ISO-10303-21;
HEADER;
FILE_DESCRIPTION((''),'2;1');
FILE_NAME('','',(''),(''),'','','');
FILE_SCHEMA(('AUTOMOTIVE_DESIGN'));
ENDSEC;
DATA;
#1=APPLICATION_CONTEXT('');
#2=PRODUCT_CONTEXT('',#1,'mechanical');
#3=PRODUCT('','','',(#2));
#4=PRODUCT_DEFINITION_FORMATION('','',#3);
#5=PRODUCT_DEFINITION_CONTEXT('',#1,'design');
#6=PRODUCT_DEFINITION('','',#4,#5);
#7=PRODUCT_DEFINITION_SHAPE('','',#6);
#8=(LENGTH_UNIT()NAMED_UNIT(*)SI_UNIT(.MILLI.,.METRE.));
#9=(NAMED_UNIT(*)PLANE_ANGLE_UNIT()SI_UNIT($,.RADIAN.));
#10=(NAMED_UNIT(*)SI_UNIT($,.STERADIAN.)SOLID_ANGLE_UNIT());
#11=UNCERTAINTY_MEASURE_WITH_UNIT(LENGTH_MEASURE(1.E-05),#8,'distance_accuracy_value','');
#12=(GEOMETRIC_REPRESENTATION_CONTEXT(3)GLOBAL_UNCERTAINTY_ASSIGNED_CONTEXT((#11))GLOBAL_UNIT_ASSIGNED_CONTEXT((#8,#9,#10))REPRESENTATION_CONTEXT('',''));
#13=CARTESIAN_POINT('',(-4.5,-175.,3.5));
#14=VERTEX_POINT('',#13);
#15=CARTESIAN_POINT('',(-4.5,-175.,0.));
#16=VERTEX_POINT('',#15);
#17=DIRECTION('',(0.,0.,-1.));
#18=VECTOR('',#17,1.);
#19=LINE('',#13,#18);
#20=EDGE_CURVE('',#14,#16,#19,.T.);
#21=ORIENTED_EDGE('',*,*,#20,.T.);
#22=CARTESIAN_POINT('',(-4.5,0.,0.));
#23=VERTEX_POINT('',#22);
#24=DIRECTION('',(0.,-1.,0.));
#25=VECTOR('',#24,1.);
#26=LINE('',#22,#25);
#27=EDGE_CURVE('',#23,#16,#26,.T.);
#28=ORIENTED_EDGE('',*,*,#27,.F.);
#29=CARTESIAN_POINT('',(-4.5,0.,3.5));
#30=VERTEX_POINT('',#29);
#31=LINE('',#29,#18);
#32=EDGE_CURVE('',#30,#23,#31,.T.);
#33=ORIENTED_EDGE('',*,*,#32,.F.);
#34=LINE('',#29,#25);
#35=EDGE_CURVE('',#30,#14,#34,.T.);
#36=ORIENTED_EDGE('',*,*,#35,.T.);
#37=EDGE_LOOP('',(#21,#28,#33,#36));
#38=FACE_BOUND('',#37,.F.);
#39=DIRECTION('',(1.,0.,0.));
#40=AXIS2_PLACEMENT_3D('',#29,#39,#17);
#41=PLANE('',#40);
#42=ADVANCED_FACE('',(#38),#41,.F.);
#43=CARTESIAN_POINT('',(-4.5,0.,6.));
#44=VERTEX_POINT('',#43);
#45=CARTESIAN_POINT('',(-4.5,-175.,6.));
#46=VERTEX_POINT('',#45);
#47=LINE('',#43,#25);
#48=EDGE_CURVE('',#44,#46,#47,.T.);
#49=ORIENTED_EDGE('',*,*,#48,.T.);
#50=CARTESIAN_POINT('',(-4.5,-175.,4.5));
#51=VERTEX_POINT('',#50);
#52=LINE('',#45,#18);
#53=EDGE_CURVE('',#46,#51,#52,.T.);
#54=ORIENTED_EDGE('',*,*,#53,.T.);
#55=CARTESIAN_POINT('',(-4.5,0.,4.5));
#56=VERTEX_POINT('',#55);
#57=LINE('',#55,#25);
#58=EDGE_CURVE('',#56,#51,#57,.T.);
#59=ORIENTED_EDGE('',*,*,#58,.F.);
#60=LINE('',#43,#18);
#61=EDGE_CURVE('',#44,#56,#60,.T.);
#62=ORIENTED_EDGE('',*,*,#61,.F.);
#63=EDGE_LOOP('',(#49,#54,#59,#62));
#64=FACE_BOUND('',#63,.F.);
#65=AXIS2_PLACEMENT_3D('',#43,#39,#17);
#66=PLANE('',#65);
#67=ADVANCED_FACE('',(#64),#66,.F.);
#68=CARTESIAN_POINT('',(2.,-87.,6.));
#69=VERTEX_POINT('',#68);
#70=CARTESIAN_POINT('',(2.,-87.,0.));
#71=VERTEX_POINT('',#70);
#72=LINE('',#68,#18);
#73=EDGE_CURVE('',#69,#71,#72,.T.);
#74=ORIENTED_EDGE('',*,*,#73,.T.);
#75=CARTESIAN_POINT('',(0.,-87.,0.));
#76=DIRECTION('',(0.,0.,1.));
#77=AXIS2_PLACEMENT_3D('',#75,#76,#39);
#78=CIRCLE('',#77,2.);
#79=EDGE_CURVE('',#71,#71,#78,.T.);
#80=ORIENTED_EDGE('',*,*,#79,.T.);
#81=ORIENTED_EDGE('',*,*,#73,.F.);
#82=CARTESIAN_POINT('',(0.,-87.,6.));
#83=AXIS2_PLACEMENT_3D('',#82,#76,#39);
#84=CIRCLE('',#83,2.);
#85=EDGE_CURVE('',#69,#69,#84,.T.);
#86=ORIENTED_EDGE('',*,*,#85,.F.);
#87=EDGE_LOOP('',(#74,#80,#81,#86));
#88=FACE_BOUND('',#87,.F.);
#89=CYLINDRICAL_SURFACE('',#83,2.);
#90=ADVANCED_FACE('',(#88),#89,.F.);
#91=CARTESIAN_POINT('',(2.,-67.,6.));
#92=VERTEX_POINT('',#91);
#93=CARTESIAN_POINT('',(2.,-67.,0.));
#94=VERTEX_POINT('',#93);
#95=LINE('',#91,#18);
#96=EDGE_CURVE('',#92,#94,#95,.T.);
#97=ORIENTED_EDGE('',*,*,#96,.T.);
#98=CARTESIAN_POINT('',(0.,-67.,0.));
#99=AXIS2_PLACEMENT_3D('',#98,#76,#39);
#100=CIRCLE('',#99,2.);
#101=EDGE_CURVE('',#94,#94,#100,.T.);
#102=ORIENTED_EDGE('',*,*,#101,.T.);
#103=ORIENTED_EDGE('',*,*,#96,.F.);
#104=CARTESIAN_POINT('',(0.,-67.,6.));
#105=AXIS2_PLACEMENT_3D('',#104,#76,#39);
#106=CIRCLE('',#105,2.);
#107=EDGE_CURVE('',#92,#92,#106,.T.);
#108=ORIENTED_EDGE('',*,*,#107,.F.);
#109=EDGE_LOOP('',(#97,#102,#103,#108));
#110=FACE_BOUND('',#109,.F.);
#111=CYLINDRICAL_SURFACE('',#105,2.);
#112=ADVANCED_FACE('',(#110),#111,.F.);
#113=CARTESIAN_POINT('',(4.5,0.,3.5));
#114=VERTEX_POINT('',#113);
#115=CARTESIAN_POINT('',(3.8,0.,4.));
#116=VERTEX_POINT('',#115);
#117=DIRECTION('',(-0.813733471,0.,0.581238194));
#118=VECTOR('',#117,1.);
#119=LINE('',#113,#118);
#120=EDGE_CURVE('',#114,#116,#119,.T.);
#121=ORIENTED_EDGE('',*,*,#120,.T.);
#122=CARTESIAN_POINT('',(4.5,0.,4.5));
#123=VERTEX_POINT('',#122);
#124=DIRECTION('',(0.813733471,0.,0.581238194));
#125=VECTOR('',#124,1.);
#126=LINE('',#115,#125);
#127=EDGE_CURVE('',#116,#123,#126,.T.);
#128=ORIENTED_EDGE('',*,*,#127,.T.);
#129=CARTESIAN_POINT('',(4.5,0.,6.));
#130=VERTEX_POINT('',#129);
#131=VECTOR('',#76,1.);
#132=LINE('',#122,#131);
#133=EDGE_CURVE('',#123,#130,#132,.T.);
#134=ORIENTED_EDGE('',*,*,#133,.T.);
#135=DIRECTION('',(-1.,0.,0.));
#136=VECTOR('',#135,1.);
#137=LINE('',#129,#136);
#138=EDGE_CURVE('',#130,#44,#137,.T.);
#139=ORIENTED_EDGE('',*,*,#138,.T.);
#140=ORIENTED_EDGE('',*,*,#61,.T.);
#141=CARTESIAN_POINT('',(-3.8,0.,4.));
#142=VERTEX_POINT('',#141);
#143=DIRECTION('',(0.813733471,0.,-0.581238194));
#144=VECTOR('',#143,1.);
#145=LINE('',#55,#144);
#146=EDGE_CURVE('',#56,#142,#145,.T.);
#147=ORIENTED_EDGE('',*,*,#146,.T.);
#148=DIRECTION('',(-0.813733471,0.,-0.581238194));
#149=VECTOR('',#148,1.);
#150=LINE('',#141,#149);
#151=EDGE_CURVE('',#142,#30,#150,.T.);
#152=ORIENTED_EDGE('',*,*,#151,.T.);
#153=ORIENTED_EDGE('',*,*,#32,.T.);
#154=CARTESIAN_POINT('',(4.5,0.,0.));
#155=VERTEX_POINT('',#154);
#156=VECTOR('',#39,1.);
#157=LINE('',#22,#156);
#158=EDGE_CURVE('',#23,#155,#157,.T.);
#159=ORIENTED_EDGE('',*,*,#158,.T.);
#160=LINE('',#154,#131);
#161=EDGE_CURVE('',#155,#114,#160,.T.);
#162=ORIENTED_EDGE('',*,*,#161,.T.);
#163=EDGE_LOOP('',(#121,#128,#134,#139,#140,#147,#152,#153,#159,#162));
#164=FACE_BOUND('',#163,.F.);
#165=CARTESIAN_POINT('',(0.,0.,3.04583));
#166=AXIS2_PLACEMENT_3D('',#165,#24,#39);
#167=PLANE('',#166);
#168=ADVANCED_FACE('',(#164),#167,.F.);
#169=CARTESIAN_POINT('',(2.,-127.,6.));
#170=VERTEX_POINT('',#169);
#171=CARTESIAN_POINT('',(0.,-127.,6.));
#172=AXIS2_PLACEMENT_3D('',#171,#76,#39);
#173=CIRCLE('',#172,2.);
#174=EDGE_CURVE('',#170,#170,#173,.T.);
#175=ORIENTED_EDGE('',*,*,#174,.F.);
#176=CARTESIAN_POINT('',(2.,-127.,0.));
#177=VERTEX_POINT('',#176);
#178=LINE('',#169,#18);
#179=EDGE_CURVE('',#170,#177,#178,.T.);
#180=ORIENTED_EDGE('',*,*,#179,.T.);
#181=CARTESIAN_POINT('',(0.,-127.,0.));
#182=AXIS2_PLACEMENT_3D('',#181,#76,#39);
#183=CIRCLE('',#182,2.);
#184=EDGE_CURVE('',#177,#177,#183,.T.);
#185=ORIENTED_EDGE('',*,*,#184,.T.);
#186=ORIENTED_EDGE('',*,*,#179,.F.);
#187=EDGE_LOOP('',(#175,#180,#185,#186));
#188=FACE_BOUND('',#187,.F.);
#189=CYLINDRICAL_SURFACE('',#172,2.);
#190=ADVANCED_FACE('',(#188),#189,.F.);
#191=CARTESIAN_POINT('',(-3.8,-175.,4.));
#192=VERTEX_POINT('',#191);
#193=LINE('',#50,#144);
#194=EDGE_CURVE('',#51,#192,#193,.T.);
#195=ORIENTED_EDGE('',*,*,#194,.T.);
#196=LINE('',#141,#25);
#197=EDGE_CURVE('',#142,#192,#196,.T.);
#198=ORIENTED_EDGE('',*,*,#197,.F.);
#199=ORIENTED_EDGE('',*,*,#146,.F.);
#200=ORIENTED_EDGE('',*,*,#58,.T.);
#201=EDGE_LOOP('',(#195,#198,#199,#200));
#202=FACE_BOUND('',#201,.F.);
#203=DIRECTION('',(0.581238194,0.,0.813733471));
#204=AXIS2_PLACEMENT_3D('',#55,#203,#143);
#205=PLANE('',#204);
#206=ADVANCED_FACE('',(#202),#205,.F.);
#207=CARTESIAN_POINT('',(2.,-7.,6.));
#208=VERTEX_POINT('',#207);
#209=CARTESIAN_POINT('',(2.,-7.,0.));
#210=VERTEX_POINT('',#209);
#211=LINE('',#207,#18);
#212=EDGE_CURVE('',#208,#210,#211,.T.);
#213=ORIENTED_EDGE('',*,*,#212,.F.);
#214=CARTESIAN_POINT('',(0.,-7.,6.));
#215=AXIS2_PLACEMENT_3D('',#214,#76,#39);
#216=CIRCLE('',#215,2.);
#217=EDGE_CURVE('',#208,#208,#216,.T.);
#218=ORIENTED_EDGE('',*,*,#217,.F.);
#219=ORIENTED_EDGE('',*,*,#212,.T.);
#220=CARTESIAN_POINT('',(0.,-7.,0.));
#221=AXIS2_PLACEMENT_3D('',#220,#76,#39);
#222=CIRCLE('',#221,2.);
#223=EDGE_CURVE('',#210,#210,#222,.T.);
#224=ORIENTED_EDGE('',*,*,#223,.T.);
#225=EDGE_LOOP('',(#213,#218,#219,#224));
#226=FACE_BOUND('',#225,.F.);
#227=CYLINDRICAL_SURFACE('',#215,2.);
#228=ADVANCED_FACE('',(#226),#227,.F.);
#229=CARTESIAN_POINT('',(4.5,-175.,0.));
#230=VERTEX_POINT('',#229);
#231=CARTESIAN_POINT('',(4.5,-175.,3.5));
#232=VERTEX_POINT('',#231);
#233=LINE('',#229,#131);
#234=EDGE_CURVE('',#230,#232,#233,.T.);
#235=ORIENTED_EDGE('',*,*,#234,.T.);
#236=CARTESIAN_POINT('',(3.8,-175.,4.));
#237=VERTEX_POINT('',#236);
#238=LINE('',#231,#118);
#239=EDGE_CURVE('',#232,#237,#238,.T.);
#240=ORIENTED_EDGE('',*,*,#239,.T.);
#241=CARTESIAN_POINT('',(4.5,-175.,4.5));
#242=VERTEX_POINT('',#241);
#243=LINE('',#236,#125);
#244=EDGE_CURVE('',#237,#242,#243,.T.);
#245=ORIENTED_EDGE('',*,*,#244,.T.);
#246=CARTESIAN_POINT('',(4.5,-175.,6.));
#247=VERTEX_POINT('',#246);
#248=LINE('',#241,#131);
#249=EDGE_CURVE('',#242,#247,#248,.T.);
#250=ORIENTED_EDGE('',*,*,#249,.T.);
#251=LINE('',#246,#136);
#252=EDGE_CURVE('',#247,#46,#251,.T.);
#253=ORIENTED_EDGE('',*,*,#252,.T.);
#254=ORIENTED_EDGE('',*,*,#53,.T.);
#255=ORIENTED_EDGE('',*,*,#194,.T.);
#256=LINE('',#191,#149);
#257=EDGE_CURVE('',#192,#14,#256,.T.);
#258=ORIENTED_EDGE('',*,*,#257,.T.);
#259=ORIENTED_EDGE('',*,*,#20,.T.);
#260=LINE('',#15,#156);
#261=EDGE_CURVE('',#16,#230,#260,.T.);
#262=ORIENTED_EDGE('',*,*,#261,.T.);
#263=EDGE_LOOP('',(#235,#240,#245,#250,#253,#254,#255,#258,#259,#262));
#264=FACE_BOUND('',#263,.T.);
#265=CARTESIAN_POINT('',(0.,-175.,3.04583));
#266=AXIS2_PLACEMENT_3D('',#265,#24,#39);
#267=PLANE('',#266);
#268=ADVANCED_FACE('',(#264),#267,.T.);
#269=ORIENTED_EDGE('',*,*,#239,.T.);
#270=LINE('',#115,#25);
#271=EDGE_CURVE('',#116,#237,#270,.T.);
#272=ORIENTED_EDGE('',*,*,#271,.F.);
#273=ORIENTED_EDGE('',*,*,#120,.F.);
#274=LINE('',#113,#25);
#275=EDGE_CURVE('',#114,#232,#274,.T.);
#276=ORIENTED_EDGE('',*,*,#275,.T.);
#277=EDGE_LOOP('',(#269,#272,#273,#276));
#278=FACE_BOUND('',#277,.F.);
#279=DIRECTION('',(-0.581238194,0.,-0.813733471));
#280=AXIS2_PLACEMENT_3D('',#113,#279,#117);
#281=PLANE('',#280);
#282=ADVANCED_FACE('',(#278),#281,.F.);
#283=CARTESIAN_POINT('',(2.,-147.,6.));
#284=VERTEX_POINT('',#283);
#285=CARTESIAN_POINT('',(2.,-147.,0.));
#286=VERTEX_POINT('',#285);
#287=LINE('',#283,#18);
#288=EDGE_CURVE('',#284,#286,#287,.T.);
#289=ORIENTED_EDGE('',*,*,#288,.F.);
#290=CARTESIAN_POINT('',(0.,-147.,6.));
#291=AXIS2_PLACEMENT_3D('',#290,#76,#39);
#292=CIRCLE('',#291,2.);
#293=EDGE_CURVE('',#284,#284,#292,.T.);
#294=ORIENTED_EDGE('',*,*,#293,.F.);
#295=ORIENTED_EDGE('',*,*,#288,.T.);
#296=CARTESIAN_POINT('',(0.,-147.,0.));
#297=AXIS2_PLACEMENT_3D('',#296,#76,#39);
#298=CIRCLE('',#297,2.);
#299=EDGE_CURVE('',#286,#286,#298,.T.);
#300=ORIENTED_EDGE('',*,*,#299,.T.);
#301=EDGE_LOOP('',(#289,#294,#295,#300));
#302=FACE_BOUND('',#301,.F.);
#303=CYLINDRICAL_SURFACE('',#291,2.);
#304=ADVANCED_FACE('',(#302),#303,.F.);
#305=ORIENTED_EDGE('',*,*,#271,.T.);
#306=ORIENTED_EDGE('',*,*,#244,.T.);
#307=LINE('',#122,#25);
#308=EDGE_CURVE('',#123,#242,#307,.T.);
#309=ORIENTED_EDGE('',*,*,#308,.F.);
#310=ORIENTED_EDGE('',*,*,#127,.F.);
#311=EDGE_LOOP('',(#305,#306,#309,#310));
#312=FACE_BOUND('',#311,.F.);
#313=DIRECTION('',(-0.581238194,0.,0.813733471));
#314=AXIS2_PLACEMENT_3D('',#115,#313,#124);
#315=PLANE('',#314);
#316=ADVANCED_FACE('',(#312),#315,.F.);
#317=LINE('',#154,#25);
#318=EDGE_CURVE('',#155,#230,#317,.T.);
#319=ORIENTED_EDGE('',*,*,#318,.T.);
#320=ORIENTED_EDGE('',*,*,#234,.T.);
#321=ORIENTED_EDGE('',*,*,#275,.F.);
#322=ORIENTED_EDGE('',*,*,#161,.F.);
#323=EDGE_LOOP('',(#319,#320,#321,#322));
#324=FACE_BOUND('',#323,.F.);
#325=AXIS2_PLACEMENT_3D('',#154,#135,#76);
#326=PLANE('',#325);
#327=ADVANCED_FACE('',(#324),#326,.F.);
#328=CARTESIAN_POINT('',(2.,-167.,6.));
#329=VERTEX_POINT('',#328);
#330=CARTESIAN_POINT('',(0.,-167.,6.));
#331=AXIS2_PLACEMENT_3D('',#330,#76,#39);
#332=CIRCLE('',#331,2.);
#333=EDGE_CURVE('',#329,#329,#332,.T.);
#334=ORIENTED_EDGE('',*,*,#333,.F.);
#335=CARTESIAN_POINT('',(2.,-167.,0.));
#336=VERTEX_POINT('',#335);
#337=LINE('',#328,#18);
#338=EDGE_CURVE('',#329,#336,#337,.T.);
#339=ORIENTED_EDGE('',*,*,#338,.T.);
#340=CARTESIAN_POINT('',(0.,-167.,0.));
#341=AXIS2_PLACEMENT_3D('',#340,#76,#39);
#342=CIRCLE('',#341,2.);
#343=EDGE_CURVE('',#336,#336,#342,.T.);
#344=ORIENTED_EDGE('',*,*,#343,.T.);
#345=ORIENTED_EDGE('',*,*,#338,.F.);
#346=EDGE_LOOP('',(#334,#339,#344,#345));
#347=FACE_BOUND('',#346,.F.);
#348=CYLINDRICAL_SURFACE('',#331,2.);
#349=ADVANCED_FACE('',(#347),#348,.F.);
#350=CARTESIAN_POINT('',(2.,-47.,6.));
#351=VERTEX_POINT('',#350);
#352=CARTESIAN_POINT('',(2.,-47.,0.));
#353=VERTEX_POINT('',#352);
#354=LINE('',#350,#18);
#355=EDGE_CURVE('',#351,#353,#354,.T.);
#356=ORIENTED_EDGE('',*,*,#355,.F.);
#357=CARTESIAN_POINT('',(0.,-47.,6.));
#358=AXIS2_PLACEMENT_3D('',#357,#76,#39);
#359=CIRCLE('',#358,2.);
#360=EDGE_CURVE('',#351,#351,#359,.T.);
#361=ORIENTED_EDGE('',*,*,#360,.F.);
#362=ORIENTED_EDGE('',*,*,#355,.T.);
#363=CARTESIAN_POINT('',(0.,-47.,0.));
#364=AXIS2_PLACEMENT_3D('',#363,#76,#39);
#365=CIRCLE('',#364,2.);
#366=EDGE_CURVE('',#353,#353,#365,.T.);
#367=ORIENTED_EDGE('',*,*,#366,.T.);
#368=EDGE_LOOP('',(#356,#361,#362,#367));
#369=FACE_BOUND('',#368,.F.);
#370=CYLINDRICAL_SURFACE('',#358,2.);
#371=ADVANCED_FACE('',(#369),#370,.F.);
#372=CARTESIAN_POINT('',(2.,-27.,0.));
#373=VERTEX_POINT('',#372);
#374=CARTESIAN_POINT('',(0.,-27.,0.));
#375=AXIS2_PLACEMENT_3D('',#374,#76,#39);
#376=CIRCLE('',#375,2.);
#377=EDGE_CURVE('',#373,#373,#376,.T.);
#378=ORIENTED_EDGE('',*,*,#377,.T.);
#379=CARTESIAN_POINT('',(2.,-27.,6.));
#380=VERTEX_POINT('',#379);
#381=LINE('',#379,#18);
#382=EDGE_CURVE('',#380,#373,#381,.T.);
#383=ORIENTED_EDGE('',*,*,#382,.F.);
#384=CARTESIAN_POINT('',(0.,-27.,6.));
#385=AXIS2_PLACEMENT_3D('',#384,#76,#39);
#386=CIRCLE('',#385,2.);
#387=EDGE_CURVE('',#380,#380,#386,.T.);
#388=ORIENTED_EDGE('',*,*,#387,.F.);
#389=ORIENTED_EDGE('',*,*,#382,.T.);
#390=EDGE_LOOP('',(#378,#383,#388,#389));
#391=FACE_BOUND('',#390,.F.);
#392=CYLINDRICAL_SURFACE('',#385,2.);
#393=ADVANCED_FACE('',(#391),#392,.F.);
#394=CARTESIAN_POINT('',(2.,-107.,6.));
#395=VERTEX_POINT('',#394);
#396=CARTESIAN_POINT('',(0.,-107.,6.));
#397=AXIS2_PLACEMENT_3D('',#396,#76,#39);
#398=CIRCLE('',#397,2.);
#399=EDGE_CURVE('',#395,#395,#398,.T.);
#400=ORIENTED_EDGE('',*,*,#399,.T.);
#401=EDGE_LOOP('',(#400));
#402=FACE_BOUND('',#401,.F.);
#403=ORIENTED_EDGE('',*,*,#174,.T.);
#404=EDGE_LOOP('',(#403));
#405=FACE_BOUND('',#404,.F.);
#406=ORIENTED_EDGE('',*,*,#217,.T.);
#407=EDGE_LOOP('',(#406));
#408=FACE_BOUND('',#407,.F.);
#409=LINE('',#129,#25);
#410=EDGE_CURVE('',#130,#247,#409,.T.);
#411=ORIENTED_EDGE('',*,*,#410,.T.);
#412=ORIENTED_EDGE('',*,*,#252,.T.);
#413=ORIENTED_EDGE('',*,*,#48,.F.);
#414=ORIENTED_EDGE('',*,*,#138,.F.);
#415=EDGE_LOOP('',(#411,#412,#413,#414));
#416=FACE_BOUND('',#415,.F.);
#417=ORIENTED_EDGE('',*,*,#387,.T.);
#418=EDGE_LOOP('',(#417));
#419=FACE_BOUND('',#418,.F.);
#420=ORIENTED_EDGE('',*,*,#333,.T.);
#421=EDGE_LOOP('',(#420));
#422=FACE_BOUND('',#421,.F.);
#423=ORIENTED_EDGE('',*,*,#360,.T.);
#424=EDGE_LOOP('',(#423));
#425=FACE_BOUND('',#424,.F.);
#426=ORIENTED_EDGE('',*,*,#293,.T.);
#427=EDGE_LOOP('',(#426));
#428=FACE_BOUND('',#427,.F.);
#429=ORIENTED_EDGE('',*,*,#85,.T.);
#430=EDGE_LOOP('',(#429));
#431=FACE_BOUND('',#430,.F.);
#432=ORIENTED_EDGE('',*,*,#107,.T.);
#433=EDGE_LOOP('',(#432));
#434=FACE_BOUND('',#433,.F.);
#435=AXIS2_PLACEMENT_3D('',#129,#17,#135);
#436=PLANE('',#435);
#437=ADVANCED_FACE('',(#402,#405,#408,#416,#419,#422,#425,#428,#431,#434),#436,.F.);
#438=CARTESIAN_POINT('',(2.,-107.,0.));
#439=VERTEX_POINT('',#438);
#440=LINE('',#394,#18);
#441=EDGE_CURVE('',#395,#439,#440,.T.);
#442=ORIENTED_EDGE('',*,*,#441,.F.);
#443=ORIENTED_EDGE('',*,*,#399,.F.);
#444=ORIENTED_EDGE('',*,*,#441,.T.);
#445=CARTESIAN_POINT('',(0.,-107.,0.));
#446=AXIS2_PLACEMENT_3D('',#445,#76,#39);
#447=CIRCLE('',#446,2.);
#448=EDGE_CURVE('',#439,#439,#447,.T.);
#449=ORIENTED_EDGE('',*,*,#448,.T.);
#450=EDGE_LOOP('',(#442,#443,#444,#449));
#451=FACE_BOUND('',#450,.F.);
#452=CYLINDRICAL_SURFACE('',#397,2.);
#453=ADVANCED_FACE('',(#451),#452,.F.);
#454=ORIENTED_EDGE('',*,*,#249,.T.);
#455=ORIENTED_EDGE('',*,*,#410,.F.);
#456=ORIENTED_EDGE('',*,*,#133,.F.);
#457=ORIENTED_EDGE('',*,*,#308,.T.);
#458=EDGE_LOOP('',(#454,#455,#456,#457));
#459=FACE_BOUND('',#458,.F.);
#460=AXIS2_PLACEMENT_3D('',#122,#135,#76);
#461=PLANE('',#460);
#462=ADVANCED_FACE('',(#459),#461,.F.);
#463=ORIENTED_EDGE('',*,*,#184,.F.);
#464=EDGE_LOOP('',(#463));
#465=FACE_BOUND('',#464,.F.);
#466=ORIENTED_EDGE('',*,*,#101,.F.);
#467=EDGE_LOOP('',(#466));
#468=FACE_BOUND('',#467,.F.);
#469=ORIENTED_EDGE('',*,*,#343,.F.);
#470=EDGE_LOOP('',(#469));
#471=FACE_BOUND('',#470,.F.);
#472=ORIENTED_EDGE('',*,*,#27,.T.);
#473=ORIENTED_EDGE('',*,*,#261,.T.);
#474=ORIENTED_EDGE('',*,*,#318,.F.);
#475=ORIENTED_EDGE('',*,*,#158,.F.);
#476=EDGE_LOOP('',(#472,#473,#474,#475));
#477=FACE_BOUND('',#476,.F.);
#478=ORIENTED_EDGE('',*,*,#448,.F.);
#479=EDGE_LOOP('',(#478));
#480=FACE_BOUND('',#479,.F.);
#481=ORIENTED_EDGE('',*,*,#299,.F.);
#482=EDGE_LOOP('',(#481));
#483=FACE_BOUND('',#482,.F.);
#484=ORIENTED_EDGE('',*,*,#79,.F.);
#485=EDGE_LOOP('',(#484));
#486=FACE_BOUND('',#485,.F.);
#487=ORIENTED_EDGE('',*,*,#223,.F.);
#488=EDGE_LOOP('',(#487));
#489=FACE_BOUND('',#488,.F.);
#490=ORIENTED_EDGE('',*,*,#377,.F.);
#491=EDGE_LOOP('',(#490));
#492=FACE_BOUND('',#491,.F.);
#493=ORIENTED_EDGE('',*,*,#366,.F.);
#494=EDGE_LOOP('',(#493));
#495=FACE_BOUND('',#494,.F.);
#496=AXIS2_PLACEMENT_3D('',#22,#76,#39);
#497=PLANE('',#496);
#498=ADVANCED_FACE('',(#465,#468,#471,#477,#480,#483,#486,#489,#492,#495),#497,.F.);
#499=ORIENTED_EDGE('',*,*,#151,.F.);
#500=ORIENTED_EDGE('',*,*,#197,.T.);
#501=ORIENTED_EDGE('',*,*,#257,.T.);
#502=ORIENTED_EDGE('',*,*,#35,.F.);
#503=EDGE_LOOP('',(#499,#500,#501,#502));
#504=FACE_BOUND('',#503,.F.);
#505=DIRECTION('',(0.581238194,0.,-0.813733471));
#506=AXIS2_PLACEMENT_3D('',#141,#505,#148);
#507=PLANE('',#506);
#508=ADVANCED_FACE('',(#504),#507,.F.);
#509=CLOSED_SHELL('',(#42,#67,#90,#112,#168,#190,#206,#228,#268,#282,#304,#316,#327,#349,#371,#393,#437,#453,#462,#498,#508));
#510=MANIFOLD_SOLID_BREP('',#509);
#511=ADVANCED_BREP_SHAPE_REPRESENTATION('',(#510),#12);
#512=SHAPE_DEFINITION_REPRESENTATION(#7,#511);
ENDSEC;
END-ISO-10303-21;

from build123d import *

# Parameters (mm, degrees)
F1_DEPTH = 175
F2_R     = 2
F3_DEPTH = 6.001


with BuildPart() as f1:
    # F0 (on Front) → F1 (new body)
    with BuildSketch(Plane.XZ):
        Polygon((4.5, 6), (-4.5, 6), (-4.5, 4.5), (-3.8, 4), (-4.5, 3.5), (-4.5, 0), (4.5, 0), (4.5, 3.5), (3.8, 4), (4.5, 4.5), align=None)
    extrude(amount=F1_DEPTH)

    # F2 (on face) → F3 (cut, through all)
    with BuildSketch(Plane.XY.offset(6)):
        with Locations((0, -7)):
            Circle(F2_R)
        with Locations((0, -27)):
            Circle(F2_R)
        with Locations((0, -47)):
            Circle(F2_R)
        with Locations((0, -67)):
            Circle(F2_R)
        with Locations((0, -87)):
            Circle(F2_R)
        with Locations((0, -107)):
            Circle(F2_R)
        with Locations((0, -127)):
            Circle(F2_R)
        with Locations((0, -147)):
            Circle(F2_R)
        with Locations((0, -167)):
            Circle(F2_R)
    extrude(amount=-F3_DEPTH, mode=Mode.SUBTRACT)


solid = f1.part
